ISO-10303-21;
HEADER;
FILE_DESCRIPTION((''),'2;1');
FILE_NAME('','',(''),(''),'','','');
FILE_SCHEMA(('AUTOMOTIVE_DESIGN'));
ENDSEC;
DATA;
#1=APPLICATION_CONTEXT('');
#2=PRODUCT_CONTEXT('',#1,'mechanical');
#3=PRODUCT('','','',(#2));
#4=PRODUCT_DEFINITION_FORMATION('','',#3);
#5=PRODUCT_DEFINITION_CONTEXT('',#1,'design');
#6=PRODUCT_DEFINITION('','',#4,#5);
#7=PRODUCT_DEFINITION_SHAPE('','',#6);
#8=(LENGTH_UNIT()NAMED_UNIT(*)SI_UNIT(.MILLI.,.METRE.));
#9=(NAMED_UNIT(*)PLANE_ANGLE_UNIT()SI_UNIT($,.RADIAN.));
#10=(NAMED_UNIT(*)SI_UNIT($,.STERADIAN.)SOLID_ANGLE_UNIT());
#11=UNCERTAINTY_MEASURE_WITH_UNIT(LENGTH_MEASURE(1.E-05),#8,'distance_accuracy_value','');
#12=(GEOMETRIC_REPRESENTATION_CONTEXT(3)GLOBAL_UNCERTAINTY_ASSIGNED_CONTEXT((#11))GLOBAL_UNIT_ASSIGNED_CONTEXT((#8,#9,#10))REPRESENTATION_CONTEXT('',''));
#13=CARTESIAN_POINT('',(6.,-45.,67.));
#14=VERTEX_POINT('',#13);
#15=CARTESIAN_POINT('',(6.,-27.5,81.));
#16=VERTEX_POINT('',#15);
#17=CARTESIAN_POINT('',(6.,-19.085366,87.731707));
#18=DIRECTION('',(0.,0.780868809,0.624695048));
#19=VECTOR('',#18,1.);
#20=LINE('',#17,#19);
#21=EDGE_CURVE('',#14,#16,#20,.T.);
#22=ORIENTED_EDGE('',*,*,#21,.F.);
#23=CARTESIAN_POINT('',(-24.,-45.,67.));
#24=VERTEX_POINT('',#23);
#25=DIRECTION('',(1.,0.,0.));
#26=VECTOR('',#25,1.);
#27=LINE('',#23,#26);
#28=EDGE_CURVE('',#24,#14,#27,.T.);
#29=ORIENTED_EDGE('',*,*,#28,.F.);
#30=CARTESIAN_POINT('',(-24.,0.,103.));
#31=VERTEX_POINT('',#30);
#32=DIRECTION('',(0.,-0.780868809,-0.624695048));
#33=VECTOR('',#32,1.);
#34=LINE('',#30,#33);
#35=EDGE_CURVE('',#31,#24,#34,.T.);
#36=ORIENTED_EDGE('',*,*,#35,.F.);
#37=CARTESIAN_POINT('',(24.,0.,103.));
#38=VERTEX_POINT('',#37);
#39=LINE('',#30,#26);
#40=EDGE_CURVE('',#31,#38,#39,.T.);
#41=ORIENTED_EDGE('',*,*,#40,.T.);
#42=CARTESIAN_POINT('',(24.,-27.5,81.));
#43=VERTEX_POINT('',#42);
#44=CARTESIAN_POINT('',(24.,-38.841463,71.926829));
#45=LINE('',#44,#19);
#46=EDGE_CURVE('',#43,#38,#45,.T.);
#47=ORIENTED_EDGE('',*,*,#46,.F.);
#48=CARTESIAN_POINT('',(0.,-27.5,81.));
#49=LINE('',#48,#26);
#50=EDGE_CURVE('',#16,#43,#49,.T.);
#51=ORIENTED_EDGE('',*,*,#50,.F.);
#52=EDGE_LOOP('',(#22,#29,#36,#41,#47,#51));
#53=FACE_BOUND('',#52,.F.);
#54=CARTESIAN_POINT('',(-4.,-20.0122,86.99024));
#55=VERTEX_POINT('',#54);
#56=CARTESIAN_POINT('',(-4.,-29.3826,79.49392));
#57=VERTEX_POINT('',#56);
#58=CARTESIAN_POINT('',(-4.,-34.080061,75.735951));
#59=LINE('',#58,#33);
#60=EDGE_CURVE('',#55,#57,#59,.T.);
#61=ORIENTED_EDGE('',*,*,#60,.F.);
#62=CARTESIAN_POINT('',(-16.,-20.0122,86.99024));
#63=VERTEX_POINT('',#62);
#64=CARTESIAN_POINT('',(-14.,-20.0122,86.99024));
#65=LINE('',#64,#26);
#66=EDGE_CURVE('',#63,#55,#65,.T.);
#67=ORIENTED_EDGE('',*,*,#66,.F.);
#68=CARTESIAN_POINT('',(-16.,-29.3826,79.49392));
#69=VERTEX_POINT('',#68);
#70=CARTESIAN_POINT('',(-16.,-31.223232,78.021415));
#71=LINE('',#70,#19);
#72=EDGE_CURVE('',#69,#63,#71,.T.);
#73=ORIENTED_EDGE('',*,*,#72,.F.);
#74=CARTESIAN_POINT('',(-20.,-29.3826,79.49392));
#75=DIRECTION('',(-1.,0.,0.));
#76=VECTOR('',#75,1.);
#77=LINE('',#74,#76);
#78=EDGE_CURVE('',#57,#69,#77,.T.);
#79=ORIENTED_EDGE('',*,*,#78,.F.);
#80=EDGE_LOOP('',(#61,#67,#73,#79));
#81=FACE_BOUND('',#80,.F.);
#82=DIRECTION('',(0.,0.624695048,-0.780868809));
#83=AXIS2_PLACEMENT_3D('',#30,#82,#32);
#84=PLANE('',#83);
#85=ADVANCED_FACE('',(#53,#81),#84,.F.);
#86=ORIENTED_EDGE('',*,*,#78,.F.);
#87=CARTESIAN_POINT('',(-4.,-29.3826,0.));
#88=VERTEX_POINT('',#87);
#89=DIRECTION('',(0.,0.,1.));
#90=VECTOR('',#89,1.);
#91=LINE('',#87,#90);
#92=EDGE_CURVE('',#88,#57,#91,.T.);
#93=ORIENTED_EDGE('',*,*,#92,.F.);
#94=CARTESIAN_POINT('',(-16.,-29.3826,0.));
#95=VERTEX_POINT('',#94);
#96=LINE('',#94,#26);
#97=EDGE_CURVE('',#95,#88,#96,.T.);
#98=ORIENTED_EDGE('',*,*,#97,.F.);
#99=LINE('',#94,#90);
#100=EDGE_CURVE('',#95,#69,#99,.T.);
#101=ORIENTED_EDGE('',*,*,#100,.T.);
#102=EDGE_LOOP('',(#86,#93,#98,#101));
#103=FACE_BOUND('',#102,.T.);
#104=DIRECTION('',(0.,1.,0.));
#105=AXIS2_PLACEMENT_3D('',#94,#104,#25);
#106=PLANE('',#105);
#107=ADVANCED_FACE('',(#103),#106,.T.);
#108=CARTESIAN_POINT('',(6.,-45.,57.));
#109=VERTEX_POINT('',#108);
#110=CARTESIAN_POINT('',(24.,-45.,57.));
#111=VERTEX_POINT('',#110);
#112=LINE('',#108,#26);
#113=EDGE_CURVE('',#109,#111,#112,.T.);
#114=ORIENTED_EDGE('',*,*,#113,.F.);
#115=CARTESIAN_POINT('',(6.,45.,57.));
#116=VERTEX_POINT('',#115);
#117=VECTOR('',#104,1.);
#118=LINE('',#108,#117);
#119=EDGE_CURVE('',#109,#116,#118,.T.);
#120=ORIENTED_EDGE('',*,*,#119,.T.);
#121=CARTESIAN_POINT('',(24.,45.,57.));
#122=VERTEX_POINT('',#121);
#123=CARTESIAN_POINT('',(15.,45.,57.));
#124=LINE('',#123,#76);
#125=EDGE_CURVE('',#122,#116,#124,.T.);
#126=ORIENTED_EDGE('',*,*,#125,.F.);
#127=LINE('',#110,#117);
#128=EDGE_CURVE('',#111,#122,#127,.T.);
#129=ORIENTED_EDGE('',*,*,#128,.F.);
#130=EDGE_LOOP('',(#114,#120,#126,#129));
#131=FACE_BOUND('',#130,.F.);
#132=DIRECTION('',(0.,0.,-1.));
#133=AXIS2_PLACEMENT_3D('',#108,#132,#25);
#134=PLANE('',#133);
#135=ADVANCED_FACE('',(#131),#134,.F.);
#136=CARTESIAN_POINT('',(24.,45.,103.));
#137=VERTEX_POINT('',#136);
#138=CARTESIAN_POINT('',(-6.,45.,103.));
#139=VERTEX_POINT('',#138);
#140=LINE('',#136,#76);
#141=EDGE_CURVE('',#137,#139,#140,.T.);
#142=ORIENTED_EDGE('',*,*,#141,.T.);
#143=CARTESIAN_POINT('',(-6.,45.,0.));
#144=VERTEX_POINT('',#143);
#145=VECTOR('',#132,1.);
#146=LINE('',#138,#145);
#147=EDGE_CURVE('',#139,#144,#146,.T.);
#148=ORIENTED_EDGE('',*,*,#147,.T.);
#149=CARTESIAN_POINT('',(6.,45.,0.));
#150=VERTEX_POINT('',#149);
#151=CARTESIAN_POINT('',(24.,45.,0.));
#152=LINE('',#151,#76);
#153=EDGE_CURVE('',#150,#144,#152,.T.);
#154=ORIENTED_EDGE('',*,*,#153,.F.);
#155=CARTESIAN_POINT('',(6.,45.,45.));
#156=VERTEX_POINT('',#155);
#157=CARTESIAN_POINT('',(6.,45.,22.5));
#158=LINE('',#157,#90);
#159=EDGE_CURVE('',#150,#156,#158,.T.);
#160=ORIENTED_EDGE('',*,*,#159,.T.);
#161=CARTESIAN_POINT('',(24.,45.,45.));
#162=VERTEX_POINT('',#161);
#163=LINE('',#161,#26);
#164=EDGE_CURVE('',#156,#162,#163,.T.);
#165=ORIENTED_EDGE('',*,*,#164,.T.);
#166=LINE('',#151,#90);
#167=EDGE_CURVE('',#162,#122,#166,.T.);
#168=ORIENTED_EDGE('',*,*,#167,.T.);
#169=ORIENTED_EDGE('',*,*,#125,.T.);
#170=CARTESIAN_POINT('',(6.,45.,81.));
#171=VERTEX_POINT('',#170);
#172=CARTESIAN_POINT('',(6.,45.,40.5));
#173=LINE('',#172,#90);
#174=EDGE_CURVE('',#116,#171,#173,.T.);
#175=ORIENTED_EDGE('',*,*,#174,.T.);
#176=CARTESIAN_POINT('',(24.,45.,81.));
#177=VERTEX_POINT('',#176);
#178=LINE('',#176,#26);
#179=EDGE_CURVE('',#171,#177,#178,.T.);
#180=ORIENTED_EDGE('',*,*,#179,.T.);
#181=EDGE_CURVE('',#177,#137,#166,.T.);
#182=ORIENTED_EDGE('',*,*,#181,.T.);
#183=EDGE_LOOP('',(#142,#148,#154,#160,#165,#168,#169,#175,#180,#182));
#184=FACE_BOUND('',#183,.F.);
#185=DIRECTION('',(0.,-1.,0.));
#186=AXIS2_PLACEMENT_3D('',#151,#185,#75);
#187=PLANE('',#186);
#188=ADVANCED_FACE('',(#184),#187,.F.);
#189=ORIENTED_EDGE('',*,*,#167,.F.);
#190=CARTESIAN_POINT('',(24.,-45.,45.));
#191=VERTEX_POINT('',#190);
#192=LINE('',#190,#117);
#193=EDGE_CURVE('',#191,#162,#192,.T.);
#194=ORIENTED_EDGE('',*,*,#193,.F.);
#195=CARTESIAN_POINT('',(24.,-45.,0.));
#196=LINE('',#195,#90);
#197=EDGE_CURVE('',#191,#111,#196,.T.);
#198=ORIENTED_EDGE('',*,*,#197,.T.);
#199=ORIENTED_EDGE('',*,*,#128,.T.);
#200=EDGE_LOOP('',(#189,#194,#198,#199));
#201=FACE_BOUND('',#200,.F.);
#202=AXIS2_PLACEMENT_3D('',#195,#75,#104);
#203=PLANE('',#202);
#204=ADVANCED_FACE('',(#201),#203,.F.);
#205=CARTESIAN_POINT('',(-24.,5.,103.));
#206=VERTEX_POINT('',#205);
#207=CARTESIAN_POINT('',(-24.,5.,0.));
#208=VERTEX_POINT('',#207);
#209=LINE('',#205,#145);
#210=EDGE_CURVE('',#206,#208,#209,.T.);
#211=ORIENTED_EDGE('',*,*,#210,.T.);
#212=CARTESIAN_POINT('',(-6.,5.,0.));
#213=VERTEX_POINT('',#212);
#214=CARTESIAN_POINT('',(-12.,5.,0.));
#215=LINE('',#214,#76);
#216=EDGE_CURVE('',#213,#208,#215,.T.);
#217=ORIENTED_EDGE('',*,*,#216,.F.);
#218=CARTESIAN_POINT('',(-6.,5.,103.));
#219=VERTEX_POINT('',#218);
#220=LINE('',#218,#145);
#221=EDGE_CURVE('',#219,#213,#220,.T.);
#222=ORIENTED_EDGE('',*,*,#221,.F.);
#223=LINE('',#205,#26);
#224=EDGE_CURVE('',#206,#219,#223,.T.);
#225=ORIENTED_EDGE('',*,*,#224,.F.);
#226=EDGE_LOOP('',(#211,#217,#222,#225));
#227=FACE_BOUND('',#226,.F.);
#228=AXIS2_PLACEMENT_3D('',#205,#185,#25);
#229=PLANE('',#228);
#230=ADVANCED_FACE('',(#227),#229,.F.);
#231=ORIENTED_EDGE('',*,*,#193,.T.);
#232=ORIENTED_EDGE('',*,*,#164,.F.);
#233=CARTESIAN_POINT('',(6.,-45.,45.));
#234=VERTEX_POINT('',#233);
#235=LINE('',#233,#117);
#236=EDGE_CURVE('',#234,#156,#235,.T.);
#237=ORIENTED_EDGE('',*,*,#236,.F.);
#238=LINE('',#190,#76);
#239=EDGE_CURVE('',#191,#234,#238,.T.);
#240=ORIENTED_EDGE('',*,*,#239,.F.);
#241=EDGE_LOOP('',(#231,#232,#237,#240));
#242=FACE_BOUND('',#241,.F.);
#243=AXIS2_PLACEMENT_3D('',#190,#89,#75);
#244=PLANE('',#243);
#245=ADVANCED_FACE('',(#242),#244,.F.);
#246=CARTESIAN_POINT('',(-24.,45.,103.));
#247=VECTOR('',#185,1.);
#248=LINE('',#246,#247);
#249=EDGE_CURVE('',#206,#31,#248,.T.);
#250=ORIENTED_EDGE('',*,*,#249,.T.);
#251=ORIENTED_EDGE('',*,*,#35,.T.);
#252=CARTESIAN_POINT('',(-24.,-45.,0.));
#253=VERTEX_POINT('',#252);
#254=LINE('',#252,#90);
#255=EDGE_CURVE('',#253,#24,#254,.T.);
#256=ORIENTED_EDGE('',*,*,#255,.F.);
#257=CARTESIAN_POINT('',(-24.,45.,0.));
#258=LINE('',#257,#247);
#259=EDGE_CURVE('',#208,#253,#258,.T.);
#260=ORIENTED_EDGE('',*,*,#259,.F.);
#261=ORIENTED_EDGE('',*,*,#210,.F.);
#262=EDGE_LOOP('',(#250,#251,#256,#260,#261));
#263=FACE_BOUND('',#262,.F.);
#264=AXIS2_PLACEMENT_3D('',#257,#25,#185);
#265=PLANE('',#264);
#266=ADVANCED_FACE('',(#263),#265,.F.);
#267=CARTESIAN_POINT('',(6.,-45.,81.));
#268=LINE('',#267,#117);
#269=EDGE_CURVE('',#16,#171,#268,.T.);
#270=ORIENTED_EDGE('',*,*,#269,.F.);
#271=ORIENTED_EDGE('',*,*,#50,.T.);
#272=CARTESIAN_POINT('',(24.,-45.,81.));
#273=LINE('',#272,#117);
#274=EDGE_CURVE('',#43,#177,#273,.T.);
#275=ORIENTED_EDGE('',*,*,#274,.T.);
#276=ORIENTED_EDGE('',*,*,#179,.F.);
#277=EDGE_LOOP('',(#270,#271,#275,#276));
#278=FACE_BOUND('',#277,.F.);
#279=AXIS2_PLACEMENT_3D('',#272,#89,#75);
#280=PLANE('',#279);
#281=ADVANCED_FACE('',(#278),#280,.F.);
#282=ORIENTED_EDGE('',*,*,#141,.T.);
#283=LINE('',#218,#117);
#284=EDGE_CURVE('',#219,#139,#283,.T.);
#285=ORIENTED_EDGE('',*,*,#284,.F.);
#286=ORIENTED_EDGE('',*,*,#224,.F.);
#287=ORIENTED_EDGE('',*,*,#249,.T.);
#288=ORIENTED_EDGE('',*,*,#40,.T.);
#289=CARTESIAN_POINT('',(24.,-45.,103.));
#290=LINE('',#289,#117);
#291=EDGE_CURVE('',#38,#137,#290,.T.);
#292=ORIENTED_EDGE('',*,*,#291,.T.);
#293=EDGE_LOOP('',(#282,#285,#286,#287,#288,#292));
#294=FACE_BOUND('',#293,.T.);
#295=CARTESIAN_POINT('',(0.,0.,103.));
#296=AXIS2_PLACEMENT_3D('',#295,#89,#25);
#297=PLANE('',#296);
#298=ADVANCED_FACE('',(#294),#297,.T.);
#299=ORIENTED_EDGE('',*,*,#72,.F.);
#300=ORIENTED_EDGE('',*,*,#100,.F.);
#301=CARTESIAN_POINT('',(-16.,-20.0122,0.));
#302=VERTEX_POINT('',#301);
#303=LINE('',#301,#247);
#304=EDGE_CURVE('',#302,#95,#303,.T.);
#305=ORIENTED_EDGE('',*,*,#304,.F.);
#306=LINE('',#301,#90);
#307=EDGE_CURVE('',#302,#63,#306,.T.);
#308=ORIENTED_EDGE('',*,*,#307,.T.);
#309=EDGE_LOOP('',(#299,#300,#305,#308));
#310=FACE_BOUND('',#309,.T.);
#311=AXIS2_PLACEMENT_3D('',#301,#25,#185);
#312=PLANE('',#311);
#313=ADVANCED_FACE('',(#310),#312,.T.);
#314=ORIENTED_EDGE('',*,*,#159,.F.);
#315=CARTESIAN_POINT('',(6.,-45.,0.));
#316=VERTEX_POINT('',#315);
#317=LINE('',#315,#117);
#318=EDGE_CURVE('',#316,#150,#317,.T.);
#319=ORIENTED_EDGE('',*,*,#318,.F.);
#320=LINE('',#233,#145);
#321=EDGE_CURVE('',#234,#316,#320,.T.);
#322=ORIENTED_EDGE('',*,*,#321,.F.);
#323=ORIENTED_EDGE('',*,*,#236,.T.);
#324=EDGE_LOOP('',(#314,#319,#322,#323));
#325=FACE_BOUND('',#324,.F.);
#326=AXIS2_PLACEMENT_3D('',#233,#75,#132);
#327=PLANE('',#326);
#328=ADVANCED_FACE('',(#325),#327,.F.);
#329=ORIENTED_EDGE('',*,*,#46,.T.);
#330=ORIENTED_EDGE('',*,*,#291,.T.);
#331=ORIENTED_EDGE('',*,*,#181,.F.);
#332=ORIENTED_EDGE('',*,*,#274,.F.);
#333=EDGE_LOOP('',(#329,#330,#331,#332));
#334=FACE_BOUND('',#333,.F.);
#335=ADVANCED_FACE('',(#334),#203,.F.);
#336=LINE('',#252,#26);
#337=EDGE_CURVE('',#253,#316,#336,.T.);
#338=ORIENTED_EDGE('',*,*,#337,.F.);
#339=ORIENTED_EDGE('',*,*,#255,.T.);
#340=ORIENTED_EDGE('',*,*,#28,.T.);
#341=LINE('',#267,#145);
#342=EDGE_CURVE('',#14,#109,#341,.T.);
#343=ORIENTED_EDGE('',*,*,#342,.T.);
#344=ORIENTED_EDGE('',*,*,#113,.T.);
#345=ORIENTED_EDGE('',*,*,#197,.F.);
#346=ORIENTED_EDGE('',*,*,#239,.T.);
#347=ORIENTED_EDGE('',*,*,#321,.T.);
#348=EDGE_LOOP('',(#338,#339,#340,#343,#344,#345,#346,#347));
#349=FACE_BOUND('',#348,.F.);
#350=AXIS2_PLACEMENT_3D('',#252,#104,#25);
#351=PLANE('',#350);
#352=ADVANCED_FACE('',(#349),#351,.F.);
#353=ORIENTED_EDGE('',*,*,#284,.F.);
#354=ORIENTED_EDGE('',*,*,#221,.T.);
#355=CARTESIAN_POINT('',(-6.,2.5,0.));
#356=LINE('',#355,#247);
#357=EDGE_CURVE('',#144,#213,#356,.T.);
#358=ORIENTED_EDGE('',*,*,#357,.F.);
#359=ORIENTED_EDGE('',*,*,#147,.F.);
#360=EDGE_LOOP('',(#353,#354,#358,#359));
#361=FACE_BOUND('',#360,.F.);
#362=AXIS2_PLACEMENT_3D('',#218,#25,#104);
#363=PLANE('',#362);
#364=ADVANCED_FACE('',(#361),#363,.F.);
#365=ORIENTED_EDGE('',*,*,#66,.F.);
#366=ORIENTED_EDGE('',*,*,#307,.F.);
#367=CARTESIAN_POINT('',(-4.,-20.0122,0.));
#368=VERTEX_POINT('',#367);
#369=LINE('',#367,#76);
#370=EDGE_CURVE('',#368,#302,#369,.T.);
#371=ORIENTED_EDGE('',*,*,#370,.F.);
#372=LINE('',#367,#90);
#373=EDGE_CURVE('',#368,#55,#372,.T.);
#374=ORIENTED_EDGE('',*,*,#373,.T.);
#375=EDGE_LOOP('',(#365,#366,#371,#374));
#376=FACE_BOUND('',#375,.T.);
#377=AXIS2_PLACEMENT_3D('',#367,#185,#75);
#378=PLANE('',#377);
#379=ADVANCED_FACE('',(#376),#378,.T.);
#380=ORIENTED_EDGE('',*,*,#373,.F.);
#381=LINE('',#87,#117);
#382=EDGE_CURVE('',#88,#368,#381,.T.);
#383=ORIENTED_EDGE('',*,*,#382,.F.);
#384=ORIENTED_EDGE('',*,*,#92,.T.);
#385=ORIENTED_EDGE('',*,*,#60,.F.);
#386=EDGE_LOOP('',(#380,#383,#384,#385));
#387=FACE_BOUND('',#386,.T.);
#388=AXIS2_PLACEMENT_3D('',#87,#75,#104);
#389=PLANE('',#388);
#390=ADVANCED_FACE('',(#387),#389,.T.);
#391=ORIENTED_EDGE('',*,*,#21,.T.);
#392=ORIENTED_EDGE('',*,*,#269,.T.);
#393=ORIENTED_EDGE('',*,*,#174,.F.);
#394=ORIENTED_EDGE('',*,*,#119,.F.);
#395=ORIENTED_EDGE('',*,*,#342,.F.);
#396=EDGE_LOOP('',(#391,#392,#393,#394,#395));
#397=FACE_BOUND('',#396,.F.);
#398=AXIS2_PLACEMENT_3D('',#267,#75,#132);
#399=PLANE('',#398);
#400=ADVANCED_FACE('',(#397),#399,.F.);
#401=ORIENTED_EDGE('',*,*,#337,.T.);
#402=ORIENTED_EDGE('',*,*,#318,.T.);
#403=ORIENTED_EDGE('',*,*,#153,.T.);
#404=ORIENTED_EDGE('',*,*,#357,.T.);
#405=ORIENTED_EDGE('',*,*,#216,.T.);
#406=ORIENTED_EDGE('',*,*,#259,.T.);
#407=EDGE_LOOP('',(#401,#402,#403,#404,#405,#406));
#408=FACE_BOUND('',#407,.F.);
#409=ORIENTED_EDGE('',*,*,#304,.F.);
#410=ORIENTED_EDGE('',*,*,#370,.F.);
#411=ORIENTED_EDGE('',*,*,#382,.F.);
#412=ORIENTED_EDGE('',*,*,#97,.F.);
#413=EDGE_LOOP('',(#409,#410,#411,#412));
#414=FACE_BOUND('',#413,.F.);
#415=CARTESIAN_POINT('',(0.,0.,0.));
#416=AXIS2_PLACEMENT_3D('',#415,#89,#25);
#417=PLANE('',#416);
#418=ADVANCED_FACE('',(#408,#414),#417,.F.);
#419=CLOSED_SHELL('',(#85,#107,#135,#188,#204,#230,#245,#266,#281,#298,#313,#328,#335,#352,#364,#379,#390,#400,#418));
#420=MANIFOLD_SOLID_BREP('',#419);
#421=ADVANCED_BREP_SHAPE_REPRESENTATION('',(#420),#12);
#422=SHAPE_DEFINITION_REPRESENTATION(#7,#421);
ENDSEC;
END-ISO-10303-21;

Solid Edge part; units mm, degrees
sketch "Sketch1" plane through (0, 0, 0) normal (0, 0, 1) x (1, 0, 0)
  line L0 (24, -45) -> (24, 45)
  line L1 (24, 45) -> (-24, 45)
  line L2 (-24, 45) -> (-24, -45)
  line L3 (-24, -45) -> (24, -45)
extrude "Protrusion1" add sketch "Sketch1" along normal blind 103
sketch "Sketch2" plane through (0, -45, 51.5) normal (0, -1, 0) x (1, 0, 0)
  line L0 (6, 5.5) -> (24, 5.5)
  line L1 (24, 5.5) -> (24, 29.5)
  line L2 (24, 29.5) -> (6, 29.5)
  line L3 (6, 29.5) -> (6, 5.5)
  line L4 (24, -6.5) -> (6, -6.5)
  line L5 (6, -6.5) -> (6, -51.5)
  line L6 (6, -51.5) -> (24, -51.5)
  line L7 (24, -51.5) -> (24, -6.5)
extrude "Cutout1" cut sketch "Sketch2" against normal up to next
sketch "Sketch3" plane through (0, 0, 103) normal (0, 0, 1) x (1, 0, 0)
  line L0 (-24, 5) -> (-6, 5)
  line L1 (-6, 5) -> (-6, 45)
  line L2 (-6, 45) -> (-24, 45)
  line L3 (-24, 45) -> (-24, 5)
extrude "Cutout2" cut sketch "Sketch3" against normal up to next
sketch "Sketch4" plane through (-24, -20, 51.5) normal (-1, 0, 0) x (0, -1, 0)
  line L0 (-20, 51.5) -> (25, 15.5)
extrude "Cutout3" cut sketch "Sketch4" against normal up to next material side at (-24, -22.5312, 85.039)
sketch "Sketch5" plane through (0, 0, 0) normal (0, 0, 1) x (1, 0, 0)
  line L0 (-4, -29.3826) -> (-4, -20.0122)
  line L1 (-4, -20.0122) -> (-16, -20.0122)
  line L2 (-16, -20.0122) -> (-16, -29.3826)
  line L3 (-16, -29.3826) -> (-4, -29.3826)
extrude "Cutout4" cut sketch "Sketch5" along normal up to next
